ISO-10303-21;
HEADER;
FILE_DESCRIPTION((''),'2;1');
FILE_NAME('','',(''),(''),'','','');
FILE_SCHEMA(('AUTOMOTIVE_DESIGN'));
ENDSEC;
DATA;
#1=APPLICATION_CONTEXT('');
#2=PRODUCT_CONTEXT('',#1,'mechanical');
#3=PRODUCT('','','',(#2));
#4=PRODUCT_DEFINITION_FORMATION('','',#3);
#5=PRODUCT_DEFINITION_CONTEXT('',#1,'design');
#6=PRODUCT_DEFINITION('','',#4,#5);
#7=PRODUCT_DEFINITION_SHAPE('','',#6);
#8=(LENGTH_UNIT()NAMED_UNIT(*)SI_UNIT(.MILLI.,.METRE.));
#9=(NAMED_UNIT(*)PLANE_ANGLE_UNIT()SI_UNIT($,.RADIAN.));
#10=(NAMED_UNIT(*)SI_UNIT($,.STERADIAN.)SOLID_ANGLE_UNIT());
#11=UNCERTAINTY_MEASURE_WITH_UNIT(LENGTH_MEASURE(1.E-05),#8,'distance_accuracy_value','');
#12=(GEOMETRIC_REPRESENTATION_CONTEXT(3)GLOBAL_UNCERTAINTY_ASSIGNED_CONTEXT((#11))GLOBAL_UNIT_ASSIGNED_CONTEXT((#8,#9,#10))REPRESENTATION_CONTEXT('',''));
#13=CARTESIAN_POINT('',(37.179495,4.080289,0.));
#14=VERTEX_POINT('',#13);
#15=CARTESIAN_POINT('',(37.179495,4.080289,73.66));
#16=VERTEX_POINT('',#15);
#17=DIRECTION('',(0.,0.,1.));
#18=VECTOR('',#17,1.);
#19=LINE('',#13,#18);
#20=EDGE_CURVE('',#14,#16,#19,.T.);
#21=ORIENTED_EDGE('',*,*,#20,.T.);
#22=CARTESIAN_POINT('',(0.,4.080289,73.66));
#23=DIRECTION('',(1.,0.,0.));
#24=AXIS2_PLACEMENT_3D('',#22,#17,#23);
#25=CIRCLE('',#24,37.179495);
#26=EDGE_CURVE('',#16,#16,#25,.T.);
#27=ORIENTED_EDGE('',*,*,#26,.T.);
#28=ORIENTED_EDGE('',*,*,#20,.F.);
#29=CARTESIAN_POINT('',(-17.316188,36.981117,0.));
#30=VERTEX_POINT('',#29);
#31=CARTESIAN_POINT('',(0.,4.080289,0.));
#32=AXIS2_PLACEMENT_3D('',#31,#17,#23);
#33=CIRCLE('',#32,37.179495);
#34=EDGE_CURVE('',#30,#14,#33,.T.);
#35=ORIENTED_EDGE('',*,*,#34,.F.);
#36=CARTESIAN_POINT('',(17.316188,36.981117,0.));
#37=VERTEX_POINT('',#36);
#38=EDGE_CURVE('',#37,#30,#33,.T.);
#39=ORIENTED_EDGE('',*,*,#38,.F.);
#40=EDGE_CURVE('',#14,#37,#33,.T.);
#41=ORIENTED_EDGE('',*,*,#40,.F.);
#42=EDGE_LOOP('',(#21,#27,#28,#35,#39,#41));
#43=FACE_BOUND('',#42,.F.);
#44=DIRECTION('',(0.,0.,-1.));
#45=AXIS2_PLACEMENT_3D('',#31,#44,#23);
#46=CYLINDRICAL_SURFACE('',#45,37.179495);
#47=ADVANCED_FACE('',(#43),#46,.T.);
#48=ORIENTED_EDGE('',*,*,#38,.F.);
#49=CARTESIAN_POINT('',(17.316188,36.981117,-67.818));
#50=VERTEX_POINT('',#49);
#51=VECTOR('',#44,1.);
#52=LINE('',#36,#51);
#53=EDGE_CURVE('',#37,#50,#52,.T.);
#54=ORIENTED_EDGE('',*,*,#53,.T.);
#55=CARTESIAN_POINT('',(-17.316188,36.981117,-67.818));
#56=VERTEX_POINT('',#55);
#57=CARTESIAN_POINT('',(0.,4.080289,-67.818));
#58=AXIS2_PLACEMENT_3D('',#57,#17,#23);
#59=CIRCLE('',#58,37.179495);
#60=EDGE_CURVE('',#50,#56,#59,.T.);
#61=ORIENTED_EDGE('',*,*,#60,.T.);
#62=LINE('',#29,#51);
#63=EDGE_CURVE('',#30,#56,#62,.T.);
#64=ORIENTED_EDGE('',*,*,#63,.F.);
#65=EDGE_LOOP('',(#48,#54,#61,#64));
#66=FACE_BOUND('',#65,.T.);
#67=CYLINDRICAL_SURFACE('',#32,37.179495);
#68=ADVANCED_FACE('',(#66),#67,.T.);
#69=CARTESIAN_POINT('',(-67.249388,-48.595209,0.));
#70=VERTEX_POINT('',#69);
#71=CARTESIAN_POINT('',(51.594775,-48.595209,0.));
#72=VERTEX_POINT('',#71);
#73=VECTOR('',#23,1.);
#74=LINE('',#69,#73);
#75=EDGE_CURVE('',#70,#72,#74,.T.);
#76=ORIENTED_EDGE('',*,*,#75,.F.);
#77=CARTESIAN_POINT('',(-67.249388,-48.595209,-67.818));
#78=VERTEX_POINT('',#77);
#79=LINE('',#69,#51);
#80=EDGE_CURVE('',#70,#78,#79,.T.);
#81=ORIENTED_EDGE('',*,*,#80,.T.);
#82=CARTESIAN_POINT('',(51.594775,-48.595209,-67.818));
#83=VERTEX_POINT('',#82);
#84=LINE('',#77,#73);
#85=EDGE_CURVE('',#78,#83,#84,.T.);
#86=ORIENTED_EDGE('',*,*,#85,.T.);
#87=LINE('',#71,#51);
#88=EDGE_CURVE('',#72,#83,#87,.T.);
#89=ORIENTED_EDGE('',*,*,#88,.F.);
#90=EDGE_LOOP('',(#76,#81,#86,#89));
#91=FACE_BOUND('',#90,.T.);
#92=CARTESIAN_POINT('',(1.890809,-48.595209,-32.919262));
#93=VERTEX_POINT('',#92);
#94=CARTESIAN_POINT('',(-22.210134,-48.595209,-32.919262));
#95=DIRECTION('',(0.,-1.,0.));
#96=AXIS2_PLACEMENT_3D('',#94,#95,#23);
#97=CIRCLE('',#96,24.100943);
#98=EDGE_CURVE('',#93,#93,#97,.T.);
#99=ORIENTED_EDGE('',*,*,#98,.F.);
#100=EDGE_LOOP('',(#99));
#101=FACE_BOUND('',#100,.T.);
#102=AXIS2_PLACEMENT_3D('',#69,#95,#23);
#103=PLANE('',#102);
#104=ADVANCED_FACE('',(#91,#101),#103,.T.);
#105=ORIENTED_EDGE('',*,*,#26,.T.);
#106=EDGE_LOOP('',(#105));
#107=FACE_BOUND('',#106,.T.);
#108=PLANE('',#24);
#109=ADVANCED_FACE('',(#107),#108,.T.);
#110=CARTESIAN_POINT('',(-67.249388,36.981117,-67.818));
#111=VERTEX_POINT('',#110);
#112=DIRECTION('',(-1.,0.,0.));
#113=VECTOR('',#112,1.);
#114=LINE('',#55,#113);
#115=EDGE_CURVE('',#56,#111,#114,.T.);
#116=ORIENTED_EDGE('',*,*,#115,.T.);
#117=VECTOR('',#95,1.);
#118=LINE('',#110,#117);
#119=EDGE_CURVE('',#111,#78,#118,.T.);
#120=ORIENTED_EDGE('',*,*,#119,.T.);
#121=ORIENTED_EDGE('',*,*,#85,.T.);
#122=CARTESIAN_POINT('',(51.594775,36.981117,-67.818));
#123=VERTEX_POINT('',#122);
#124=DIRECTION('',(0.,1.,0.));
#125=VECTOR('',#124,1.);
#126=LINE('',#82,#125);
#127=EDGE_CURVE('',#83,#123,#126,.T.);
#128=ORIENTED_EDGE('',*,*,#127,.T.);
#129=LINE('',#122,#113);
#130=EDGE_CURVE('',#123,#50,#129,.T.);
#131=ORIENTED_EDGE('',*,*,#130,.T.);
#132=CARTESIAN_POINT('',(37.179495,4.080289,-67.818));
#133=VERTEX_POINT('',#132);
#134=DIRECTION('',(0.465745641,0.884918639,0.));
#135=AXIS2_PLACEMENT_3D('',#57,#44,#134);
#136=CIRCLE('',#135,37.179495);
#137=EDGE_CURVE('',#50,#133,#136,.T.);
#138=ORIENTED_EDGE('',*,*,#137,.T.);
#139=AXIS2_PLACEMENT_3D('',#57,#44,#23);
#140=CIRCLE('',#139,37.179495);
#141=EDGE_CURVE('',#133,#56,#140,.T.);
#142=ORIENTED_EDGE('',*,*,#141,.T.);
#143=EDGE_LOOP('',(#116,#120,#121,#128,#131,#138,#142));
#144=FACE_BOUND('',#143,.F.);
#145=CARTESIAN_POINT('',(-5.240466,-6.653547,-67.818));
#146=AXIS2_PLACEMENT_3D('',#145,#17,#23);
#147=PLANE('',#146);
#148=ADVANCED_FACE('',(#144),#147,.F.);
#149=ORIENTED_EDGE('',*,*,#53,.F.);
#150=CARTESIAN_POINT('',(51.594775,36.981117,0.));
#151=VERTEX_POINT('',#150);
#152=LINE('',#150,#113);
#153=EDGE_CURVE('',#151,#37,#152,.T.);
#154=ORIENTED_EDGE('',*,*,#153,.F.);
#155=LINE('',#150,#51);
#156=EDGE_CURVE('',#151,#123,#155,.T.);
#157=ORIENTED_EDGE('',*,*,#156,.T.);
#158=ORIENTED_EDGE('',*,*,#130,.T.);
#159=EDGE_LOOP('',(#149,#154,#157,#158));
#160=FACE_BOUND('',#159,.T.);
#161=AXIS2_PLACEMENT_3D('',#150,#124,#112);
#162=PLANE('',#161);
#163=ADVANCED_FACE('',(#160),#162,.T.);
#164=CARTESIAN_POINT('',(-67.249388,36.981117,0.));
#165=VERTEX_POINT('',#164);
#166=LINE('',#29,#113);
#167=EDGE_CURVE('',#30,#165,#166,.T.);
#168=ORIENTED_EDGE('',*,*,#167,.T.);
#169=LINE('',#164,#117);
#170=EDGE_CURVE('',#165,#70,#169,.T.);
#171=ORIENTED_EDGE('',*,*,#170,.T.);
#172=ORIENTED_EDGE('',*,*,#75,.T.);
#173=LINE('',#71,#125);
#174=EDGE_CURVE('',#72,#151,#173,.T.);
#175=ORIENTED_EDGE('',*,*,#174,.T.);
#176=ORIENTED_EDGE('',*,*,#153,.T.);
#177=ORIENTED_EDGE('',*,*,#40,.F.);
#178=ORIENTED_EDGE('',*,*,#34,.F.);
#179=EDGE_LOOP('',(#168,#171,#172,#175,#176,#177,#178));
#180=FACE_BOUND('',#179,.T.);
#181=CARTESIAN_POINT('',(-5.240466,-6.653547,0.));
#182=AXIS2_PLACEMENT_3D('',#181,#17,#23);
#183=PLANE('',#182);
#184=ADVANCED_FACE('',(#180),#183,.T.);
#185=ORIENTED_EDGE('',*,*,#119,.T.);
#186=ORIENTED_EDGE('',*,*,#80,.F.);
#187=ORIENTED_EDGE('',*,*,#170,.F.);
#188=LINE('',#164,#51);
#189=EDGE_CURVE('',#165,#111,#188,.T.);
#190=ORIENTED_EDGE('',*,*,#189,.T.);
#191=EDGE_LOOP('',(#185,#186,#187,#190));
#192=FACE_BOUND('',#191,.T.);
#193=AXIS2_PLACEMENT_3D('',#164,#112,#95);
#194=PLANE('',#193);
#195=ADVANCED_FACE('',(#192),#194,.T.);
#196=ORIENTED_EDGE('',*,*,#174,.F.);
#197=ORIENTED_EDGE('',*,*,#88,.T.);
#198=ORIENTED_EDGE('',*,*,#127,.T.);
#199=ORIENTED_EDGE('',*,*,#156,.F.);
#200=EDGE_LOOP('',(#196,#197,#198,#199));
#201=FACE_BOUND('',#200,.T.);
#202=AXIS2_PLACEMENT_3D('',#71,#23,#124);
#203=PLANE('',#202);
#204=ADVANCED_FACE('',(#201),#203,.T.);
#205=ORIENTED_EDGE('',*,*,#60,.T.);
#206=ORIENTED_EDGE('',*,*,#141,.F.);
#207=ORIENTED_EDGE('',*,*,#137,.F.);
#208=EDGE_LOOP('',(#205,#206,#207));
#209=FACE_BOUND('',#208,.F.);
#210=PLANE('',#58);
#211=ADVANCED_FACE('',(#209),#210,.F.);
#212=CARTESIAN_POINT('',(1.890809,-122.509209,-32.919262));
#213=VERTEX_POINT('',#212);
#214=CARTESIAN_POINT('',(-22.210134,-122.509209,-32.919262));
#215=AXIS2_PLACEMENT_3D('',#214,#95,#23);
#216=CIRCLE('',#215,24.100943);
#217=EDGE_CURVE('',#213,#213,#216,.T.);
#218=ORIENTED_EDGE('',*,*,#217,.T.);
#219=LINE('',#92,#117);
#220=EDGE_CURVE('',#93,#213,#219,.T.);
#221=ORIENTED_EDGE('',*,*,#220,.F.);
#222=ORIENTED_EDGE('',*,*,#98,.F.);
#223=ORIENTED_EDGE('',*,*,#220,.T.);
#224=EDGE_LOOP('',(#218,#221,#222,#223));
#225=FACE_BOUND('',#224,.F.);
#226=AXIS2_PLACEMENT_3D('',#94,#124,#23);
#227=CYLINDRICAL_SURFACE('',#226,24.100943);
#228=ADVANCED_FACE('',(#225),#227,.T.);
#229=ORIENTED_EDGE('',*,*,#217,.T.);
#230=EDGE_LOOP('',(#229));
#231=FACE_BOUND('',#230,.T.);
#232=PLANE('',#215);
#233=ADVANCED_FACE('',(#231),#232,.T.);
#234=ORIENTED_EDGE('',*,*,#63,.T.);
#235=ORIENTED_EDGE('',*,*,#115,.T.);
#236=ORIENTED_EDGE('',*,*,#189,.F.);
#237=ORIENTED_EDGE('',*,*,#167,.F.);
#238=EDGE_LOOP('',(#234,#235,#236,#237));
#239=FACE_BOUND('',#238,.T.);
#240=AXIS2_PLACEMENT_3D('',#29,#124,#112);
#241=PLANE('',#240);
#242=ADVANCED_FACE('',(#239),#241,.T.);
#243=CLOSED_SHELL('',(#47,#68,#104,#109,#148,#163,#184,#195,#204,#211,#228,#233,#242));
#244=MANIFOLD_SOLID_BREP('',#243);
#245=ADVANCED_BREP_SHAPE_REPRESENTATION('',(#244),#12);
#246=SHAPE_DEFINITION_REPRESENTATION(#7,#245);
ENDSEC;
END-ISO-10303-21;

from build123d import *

# Parameters (mm, degrees)
F0_R     = 37.1794953158
F1_DEPTH = 73.66
F3_DEPTH = 67.818
F4_R     = 24.1009432371
F5_DEPTH = 73.914


with BuildPart() as f1:
    # F0 (on Top) → F1 (new body)
    with BuildSketch(Plane.XY):
        with Locations((0, 4.0802885778)):
            Circle(F0_R)
    extrude(amount=F1_DEPTH)

    # F2 (on face) + F0 (on Top) → F3 (join)
    with BuildSketch(Plane.XY):
        with BuildLine():
            Line((-17.3161878706, 36.9811169803), (-67.2493875027, 36.9811169803))
            Line((-67.2493875027, 36.9811169803), (-67.2493875027, -48.5952086747))
            Line((-67.2493875027, -48.5952086747), (51.5947751701, -48.5952086747))
            Line((51.5947751701, -48.5952086747), (51.5947751701, 36.9811169803))
            Line((51.5947751701, 36.9811169803), (17.3161878706, 36.9811169803))
            ThreePointArc((17.3161878706, 36.9811169803), (31.8286191796, 23.2962682057), (37.1794953158, 4.0802885778))
            ThreePointArc((37.1794953158, 4.0802885778), (-19.2159796279, -27.7483306018), (-17.3161878706, 36.9811169803))
        make_face()
    with BuildSketch(Plane.XY):
        with Locations((0, 4.0802885778)):
            Circle(F0_R)
    extrude(amount=-F3_DEPTH)

    # F4 (on face) → F5 (join)
    with BuildSketch(Plane.XZ.offset(48.5952086747)):
        with Locations((-22.2101341933, -32.9192616045)):
            Circle(F4_R)
    extrude(amount=F5_DEPTH)


solid = f1.part
